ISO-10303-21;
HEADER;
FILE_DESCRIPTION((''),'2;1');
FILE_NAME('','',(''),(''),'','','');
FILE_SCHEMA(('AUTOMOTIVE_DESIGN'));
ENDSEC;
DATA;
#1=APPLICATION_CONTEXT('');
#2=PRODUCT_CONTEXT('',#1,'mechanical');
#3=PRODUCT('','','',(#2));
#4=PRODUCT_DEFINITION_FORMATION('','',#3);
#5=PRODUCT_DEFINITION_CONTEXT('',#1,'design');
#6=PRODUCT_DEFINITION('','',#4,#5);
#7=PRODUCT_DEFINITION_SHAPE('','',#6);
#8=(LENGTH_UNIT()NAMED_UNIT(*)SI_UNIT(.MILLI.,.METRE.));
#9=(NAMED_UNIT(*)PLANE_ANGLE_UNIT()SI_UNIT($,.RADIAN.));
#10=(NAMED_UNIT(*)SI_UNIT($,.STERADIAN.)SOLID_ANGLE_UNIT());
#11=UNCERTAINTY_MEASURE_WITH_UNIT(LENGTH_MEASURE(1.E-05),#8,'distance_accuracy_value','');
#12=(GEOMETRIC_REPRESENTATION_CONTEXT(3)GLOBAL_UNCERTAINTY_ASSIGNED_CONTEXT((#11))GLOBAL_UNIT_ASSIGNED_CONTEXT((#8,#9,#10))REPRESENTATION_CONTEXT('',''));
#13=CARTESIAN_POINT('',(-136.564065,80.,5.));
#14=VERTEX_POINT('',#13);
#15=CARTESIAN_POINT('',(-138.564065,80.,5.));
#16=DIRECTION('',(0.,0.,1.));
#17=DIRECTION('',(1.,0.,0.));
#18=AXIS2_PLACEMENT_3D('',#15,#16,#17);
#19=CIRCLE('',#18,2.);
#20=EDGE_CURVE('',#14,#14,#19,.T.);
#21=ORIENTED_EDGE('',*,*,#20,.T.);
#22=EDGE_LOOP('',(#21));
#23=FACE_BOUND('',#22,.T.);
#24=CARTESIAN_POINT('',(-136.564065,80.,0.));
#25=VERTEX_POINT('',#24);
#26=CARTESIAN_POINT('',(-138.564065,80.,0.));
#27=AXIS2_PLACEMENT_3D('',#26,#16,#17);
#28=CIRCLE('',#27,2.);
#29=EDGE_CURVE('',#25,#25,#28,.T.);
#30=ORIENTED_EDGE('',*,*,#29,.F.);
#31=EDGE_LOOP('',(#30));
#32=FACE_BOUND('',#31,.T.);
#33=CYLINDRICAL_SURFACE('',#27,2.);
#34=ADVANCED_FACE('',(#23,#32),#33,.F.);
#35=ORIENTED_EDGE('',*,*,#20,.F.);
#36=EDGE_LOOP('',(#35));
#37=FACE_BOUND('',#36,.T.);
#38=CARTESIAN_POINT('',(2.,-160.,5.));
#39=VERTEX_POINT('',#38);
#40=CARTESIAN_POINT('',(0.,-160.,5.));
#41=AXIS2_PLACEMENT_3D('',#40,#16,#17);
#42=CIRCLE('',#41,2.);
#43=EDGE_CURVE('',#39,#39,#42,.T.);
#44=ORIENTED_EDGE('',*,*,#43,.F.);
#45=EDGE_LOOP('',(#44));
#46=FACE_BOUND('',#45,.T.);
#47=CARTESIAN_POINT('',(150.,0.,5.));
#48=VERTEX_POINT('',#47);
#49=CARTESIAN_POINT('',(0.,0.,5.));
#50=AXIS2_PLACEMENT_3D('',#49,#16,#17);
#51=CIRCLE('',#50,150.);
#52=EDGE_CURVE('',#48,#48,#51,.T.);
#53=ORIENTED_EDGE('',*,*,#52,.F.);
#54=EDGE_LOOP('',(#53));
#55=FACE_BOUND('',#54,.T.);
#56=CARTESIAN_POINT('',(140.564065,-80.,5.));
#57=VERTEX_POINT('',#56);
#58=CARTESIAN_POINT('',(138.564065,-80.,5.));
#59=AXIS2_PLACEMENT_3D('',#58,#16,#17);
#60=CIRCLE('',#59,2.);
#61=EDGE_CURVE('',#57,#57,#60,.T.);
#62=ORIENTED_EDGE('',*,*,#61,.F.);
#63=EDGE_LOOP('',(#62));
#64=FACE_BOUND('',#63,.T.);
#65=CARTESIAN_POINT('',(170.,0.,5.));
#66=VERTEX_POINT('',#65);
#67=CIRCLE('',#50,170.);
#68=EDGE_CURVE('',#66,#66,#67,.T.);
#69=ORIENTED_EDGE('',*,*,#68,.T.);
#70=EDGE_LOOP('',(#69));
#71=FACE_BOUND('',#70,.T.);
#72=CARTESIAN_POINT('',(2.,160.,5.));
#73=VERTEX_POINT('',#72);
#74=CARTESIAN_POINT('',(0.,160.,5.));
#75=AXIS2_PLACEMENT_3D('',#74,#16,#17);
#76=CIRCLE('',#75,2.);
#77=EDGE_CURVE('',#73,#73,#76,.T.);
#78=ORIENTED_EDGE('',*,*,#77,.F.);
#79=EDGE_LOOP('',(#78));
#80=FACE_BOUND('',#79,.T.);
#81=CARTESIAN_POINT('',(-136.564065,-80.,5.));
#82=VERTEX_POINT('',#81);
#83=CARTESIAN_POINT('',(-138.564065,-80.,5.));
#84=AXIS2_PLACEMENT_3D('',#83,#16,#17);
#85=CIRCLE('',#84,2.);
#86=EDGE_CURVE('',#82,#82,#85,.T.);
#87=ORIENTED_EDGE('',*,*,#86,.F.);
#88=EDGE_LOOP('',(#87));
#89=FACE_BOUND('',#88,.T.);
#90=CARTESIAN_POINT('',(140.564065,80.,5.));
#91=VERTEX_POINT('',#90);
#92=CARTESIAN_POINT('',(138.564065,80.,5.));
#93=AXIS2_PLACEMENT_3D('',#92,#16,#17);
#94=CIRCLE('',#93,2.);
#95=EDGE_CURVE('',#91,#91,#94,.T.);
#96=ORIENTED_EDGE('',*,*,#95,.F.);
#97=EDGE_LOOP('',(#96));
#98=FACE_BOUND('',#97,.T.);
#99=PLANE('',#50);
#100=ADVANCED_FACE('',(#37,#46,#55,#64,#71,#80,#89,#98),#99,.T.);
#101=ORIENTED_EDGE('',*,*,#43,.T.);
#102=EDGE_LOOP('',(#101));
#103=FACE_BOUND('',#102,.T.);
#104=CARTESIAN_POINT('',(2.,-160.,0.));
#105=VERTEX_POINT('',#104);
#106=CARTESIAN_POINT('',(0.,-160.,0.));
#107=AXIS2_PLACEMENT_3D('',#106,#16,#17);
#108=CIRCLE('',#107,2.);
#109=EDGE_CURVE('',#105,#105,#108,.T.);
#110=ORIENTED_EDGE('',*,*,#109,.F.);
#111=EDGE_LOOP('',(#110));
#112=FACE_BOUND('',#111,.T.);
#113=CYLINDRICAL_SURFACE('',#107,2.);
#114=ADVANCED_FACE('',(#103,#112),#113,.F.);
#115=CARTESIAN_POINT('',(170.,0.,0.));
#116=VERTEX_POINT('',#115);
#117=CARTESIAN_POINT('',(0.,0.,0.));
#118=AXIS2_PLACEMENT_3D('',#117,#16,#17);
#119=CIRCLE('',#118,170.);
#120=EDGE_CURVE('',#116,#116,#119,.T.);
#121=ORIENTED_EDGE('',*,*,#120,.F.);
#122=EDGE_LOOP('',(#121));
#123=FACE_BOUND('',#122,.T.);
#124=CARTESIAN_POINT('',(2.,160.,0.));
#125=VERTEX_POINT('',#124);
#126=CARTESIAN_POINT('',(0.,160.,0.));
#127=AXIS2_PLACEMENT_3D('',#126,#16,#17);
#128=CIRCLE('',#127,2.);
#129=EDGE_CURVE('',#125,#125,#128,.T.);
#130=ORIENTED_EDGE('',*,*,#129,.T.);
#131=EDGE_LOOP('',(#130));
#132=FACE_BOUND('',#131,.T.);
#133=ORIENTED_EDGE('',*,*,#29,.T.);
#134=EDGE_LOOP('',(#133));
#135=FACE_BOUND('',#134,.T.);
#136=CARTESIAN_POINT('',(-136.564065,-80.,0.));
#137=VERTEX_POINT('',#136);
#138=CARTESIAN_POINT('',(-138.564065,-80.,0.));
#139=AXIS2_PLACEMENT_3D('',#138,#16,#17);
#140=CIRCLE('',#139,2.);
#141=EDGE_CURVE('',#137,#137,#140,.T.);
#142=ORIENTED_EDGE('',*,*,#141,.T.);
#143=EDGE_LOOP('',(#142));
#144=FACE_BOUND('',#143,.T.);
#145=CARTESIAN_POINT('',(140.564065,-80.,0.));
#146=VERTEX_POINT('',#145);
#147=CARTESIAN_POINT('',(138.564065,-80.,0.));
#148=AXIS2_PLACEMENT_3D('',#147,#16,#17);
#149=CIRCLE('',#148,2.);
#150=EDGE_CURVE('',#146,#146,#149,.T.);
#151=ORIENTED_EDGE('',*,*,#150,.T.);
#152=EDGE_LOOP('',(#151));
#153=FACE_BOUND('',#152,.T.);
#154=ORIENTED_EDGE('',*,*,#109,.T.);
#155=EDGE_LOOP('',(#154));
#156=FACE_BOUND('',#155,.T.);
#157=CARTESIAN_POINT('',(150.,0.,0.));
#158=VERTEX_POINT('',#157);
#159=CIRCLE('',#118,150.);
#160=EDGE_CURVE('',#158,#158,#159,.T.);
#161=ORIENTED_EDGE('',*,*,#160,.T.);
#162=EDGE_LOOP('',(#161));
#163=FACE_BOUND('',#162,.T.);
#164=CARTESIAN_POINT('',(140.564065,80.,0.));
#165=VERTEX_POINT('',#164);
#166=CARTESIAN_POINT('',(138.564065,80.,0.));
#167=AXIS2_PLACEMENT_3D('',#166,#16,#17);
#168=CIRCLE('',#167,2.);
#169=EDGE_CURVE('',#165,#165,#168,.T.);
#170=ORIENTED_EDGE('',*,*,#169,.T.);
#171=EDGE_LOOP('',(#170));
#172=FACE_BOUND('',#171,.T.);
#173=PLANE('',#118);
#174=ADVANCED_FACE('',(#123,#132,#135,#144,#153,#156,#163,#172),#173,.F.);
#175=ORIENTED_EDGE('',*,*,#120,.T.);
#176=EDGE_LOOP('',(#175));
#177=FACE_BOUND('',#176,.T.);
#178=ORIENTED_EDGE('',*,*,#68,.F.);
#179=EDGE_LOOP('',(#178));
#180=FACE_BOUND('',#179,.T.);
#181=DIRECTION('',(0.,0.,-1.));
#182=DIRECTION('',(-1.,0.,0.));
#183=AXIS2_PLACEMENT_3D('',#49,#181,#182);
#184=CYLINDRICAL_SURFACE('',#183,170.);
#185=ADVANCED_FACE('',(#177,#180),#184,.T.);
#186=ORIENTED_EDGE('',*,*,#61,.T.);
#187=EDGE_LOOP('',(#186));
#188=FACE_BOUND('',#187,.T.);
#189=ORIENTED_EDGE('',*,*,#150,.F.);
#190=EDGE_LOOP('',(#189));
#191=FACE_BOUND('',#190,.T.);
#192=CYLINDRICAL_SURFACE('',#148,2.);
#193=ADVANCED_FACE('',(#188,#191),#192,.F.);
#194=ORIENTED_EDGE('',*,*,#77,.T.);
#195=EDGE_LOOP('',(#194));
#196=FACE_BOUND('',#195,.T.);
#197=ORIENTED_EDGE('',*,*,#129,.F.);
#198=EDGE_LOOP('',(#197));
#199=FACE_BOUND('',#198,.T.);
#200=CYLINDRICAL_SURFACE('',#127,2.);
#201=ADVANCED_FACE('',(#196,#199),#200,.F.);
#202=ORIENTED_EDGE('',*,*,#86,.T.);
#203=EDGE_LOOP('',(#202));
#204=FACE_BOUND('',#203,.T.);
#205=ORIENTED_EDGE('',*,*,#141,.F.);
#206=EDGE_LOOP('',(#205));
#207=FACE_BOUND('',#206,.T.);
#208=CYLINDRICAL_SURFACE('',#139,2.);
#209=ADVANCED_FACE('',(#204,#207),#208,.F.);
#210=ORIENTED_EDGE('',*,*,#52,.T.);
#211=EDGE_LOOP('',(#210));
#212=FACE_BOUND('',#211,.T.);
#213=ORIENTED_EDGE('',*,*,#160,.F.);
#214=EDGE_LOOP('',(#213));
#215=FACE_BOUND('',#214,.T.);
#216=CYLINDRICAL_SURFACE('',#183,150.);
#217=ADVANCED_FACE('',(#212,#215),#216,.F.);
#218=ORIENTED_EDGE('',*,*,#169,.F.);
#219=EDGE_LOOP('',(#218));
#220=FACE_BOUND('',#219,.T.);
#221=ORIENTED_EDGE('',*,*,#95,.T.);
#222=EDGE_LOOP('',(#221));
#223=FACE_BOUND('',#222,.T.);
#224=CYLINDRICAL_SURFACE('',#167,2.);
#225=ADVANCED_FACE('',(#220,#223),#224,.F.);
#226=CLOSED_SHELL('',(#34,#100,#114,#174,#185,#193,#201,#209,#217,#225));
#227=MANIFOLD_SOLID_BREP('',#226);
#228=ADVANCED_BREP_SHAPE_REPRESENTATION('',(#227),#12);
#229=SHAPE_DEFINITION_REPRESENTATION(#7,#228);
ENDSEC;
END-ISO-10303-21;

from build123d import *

# Parameters (mm, degrees)
ESQUISSE1_R             = 170
ESQUISSE1_R_2           = 150
BOSS_EXTRU_1_DEPTH      = 5
ESQUISSE2_R             = 2
ENL_V_MAT_EXTRU_1_DEPTH = 5


with BuildPart() as part:
    # Esquisse1 → Boss.-Extru.1 (new body)
    with BuildSketch(Plane.XY):
        Circle(ESQUISSE1_R)
        Circle(ESQUISSE1_R_2, mode=Mode.SUBTRACT)
    extrude(amount=BOSS_EXTRU_1_DEPTH)

    # Esquisse2 → Enlèv. mat.-Extru.1 (cut)
    with BuildSketch(Plane.XY.offset(5)):
        with Locations((0, 160)):
            Circle(ESQUISSE2_R)
        with Locations((138.564064606, 80)):
            Circle(ESQUISSE2_R)
        with Locations((138.564064606, -80)):
            Circle(ESQUISSE2_R)
        with Locations((0, -160)):
            Circle(ESQUISSE2_R)
        with Locations((-138.564064606, -80)):
            Circle(ESQUISSE2_R)
        with Locations((-138.564064606, 80)):
            Circle(ESQUISSE2_R)
    extrude(amount=-ENL_V_MAT_EXTRU_1_DEPTH, mode=Mode.SUBTRACT)


solid = part.part
